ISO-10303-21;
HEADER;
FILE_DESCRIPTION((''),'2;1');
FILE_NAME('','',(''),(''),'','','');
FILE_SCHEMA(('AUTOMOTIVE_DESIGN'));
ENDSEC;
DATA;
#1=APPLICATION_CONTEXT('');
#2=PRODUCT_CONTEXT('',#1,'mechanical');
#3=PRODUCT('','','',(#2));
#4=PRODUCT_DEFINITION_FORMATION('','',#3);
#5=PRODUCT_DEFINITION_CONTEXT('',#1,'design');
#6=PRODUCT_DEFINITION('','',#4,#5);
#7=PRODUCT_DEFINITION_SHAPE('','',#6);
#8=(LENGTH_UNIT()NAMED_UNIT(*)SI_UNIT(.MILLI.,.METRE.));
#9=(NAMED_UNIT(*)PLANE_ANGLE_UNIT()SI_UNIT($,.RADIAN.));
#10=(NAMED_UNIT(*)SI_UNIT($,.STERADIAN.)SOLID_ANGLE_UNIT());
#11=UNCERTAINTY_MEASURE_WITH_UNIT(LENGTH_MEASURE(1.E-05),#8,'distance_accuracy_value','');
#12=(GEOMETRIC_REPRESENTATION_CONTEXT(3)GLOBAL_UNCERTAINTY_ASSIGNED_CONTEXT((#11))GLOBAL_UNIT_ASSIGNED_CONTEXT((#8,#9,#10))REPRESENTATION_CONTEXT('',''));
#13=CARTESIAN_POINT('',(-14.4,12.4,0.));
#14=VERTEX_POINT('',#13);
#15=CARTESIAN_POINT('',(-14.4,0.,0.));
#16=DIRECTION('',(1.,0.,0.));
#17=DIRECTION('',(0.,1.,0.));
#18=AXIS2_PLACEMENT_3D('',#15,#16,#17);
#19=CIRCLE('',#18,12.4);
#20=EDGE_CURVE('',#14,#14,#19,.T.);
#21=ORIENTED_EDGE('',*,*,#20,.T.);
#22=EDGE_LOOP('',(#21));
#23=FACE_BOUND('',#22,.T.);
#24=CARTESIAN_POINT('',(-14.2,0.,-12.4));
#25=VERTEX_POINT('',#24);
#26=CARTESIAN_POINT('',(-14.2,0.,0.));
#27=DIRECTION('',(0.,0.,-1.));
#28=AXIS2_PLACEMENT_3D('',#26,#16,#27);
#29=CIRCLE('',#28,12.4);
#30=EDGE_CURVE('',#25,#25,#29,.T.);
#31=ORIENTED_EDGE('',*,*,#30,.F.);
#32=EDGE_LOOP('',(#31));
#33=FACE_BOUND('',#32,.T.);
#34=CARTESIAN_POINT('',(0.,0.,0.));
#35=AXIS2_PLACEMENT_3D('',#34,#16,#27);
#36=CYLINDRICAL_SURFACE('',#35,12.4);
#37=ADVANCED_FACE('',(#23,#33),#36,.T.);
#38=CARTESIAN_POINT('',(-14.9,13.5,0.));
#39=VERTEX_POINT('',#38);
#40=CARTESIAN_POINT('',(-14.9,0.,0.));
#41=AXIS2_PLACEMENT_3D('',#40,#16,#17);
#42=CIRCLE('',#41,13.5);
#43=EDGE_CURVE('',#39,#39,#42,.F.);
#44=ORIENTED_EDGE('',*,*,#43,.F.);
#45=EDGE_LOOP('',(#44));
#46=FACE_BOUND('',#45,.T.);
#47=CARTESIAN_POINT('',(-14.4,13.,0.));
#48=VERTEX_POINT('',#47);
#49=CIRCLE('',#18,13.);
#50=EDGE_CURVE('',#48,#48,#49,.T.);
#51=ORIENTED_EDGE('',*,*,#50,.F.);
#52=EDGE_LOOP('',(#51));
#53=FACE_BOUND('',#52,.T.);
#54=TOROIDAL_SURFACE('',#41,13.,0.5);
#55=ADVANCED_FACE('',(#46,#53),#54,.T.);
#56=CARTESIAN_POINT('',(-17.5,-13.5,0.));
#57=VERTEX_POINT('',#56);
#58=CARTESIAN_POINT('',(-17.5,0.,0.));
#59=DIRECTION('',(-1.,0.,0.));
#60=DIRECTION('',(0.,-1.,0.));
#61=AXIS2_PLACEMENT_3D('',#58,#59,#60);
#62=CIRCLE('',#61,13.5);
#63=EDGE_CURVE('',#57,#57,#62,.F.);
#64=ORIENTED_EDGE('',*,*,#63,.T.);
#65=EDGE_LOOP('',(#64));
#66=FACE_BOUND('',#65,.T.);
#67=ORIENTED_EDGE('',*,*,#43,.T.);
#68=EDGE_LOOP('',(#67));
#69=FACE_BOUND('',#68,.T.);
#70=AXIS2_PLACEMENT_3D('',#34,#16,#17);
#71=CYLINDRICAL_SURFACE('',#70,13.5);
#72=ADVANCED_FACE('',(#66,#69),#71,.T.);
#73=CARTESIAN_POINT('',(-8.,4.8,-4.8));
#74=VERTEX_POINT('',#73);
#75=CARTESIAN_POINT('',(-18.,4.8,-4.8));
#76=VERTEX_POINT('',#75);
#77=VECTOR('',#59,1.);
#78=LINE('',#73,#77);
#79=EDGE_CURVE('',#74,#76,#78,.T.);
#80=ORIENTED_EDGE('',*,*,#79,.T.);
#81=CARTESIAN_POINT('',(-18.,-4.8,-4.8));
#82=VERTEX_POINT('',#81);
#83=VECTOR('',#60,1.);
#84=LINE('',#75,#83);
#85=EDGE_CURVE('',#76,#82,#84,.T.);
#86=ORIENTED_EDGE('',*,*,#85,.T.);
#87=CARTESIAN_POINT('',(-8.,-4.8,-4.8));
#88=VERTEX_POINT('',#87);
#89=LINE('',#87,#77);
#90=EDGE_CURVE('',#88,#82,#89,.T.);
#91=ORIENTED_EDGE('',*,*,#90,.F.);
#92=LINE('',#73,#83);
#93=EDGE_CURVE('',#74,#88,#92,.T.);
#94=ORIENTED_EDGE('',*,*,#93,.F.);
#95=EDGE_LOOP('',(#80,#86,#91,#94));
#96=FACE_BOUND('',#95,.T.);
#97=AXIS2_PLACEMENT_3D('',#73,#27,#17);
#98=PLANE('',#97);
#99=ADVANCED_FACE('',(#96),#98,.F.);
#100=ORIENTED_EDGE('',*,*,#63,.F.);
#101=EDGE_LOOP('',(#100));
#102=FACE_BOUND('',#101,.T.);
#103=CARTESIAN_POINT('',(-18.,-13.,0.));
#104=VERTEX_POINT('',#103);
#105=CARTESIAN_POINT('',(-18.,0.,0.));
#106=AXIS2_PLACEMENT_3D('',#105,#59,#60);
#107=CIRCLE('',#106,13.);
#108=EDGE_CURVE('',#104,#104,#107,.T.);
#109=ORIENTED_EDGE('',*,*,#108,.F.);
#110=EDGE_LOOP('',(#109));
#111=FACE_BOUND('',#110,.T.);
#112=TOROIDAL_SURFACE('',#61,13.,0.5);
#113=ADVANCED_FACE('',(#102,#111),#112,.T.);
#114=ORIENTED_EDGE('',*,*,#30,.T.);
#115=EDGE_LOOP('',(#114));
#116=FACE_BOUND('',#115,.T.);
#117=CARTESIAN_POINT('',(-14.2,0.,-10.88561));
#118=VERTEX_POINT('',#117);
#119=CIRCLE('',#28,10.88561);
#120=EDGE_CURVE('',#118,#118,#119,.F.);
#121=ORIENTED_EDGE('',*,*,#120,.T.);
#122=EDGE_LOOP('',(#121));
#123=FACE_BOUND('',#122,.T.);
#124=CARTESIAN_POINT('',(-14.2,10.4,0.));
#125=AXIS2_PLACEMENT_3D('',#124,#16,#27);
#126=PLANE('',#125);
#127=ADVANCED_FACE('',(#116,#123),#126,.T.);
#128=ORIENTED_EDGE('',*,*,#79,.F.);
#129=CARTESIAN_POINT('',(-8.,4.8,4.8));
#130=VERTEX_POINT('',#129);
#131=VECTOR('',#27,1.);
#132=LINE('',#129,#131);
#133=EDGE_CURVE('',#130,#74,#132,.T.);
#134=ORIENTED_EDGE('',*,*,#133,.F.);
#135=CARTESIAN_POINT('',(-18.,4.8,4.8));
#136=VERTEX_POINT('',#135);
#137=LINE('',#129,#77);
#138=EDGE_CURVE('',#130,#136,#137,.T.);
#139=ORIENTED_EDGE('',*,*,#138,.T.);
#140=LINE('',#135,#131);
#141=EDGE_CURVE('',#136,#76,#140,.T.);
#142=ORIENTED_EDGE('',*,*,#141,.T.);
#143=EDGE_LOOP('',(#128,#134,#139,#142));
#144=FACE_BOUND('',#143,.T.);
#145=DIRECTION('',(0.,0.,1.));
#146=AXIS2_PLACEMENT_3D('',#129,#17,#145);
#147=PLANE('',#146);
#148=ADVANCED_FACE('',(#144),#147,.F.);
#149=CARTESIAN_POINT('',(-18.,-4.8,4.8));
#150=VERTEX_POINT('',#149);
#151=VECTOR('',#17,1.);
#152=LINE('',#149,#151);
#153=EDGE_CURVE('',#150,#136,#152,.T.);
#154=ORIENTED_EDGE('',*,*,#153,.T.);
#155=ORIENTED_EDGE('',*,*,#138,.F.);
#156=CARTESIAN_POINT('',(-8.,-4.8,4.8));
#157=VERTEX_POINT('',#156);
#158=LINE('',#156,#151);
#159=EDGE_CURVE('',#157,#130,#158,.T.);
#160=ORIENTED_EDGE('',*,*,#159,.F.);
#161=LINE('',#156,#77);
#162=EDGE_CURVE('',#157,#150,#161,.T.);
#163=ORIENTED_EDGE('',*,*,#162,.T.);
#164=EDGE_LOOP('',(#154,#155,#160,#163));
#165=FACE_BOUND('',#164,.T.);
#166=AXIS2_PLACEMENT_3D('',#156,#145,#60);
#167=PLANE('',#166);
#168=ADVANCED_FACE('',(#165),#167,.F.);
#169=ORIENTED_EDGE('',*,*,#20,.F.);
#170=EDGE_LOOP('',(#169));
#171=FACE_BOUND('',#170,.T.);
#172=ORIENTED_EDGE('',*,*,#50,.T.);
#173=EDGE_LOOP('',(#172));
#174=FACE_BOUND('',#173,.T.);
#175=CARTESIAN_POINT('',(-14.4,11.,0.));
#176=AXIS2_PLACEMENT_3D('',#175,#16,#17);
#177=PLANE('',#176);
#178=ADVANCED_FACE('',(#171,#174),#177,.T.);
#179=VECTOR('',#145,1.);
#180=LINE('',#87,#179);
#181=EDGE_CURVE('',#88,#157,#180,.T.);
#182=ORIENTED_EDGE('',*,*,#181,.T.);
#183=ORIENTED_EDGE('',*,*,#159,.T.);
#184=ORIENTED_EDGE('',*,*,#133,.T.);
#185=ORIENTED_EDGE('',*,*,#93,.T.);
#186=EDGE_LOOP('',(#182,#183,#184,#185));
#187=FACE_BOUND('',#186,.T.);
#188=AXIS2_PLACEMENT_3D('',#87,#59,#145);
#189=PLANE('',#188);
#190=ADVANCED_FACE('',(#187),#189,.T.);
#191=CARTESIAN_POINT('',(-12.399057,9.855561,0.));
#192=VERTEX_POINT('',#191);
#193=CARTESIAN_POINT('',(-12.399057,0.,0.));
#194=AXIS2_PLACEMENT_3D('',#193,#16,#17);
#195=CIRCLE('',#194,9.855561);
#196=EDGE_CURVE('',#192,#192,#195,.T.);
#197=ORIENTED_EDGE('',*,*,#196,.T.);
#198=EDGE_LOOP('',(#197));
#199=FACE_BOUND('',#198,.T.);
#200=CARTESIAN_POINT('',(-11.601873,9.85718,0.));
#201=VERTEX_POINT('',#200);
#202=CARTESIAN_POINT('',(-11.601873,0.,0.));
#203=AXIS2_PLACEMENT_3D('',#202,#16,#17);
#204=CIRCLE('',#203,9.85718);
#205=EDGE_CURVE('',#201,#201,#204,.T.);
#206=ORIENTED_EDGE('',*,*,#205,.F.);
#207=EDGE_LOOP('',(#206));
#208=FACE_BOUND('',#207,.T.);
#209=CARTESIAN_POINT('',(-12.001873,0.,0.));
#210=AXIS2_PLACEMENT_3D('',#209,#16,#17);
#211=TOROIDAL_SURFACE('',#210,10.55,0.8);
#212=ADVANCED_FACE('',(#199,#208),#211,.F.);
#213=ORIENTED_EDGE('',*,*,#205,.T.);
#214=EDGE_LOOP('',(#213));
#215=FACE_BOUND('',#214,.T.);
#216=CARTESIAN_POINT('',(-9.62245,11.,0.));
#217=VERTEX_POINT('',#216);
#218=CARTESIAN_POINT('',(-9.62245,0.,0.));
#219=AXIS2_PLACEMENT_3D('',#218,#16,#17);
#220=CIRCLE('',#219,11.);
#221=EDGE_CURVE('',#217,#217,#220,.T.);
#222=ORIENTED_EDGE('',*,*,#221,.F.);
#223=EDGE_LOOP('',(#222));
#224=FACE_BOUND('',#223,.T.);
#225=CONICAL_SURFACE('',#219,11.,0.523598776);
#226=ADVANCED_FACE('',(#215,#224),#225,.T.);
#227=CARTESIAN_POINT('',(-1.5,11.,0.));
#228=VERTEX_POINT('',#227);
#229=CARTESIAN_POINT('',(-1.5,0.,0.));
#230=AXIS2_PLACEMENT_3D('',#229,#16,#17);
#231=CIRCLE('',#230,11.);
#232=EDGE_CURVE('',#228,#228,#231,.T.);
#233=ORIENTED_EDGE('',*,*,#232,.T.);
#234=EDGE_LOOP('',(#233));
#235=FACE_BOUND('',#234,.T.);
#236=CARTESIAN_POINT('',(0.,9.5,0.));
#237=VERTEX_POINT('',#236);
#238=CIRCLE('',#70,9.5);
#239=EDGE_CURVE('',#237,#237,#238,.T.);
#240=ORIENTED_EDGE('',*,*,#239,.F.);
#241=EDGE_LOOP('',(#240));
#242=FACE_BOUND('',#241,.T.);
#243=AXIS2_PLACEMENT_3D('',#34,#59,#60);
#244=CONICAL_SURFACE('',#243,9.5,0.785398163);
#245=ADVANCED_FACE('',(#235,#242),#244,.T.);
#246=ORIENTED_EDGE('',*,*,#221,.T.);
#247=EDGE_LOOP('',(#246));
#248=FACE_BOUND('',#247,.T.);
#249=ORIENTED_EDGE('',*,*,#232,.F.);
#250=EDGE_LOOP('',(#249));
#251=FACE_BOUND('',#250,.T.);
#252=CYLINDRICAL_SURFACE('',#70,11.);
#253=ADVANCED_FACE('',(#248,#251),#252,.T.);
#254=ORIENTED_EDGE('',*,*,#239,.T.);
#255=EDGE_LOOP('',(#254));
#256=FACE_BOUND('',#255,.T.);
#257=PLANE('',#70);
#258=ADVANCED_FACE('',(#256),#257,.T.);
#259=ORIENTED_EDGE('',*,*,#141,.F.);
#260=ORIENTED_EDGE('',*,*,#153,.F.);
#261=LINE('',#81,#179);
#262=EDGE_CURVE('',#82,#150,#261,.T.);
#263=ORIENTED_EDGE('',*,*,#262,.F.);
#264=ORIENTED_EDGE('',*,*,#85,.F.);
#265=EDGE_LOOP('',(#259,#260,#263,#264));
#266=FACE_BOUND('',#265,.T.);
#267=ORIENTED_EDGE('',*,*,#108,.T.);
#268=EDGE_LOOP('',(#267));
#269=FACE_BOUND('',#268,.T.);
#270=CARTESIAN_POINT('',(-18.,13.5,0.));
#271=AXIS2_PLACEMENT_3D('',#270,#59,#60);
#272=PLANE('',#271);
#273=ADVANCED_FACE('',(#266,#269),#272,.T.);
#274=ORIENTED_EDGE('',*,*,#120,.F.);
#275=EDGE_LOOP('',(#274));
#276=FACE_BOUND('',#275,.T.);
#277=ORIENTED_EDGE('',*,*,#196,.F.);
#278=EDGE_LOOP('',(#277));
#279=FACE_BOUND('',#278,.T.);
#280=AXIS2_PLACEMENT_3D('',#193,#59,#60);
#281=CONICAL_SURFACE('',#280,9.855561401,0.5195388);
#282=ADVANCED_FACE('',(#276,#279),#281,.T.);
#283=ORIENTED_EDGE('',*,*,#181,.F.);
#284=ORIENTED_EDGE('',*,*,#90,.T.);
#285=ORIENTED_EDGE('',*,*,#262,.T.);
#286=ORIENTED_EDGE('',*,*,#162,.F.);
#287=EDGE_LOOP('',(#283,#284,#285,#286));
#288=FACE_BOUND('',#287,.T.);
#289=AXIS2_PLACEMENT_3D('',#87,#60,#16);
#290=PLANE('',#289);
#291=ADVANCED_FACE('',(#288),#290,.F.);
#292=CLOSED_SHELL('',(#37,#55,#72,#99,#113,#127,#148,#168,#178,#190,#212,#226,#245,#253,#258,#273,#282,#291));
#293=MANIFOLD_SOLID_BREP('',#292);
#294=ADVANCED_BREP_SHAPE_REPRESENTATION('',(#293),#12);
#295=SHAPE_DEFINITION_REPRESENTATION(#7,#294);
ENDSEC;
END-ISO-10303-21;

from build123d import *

# Parameters (mm, degrees)
SKETCH2_W          = 9.6
SKETCH2_H          = 9.6
CUT_EXTRUDE1_DEPTH = 10
FILLET1_R          = 0.5
SKETCH3_W          = 1.5
SKETCH3_H          = 2


with BuildPart() as part:
    # Sketch1 → Revolve1 (revolve)
    with BuildSketch(Plane.XY):
        with BuildLine():
            Line((0, 0), (0, 9.5))
            Line((0, 9.5), (-1.5, 11))
            Line((-1.5, 11), (-9.622450166, 11))
            Line((-9.622450166, 11), (-11.60187303, 9.857179677))
            ThreePointArc((-11.60187303, 9.857179677), (-12.000249041, 9.750001648), (-12.399056907, 9.855561401))
            Line((-12.399056907, 9.855561401), (-14.4, 11))
            Line((-14.4, 11), (-14.4, 13.5))
            Line((-14.4, 13.5), (-18, 13.5))
            Line((-18, 13.5), (-18, 0))
            Line((-18, 0), (0, 0))
        make_face()
    revolve(axis=Axis((0, 0, 0), (-1, 0, 0)))

    # Sketch2 → Cut-Extrude1 (cut)
    with BuildSketch(Plane.ZY.offset(18)):
        Rectangle(SKETCH2_W, SKETCH2_H)
    extrude(amount=-CUT_EXTRUDE1_DEPTH, mode=Mode.SUBTRACT)

    # Fillet1
    fillet1_edges = [part.edges().sort_by_distance(p)[0] for p in [
        (-14.4, -13.5, 0),
        (-18, -13.5, 0),
    ]]
    fillet(fillet1_edges, radius=FILLET1_R)

    # Sketch3 → Revolve2 (revolve)
    with BuildSketch(Plane.XY, mode=Mode.PRIVATE) as revolve2_sk:
        with Locations((-14.95, 11.4)):
            Rectangle(SKETCH3_W, SKETCH3_H)
    revolve(revolve2_sk.sketch.rotate(Axis((0, 0, 0), (-1, 0, 0)), 90), axis=Axis((0, 0, 0), (-1, 0, 0)))


solid = part.part
